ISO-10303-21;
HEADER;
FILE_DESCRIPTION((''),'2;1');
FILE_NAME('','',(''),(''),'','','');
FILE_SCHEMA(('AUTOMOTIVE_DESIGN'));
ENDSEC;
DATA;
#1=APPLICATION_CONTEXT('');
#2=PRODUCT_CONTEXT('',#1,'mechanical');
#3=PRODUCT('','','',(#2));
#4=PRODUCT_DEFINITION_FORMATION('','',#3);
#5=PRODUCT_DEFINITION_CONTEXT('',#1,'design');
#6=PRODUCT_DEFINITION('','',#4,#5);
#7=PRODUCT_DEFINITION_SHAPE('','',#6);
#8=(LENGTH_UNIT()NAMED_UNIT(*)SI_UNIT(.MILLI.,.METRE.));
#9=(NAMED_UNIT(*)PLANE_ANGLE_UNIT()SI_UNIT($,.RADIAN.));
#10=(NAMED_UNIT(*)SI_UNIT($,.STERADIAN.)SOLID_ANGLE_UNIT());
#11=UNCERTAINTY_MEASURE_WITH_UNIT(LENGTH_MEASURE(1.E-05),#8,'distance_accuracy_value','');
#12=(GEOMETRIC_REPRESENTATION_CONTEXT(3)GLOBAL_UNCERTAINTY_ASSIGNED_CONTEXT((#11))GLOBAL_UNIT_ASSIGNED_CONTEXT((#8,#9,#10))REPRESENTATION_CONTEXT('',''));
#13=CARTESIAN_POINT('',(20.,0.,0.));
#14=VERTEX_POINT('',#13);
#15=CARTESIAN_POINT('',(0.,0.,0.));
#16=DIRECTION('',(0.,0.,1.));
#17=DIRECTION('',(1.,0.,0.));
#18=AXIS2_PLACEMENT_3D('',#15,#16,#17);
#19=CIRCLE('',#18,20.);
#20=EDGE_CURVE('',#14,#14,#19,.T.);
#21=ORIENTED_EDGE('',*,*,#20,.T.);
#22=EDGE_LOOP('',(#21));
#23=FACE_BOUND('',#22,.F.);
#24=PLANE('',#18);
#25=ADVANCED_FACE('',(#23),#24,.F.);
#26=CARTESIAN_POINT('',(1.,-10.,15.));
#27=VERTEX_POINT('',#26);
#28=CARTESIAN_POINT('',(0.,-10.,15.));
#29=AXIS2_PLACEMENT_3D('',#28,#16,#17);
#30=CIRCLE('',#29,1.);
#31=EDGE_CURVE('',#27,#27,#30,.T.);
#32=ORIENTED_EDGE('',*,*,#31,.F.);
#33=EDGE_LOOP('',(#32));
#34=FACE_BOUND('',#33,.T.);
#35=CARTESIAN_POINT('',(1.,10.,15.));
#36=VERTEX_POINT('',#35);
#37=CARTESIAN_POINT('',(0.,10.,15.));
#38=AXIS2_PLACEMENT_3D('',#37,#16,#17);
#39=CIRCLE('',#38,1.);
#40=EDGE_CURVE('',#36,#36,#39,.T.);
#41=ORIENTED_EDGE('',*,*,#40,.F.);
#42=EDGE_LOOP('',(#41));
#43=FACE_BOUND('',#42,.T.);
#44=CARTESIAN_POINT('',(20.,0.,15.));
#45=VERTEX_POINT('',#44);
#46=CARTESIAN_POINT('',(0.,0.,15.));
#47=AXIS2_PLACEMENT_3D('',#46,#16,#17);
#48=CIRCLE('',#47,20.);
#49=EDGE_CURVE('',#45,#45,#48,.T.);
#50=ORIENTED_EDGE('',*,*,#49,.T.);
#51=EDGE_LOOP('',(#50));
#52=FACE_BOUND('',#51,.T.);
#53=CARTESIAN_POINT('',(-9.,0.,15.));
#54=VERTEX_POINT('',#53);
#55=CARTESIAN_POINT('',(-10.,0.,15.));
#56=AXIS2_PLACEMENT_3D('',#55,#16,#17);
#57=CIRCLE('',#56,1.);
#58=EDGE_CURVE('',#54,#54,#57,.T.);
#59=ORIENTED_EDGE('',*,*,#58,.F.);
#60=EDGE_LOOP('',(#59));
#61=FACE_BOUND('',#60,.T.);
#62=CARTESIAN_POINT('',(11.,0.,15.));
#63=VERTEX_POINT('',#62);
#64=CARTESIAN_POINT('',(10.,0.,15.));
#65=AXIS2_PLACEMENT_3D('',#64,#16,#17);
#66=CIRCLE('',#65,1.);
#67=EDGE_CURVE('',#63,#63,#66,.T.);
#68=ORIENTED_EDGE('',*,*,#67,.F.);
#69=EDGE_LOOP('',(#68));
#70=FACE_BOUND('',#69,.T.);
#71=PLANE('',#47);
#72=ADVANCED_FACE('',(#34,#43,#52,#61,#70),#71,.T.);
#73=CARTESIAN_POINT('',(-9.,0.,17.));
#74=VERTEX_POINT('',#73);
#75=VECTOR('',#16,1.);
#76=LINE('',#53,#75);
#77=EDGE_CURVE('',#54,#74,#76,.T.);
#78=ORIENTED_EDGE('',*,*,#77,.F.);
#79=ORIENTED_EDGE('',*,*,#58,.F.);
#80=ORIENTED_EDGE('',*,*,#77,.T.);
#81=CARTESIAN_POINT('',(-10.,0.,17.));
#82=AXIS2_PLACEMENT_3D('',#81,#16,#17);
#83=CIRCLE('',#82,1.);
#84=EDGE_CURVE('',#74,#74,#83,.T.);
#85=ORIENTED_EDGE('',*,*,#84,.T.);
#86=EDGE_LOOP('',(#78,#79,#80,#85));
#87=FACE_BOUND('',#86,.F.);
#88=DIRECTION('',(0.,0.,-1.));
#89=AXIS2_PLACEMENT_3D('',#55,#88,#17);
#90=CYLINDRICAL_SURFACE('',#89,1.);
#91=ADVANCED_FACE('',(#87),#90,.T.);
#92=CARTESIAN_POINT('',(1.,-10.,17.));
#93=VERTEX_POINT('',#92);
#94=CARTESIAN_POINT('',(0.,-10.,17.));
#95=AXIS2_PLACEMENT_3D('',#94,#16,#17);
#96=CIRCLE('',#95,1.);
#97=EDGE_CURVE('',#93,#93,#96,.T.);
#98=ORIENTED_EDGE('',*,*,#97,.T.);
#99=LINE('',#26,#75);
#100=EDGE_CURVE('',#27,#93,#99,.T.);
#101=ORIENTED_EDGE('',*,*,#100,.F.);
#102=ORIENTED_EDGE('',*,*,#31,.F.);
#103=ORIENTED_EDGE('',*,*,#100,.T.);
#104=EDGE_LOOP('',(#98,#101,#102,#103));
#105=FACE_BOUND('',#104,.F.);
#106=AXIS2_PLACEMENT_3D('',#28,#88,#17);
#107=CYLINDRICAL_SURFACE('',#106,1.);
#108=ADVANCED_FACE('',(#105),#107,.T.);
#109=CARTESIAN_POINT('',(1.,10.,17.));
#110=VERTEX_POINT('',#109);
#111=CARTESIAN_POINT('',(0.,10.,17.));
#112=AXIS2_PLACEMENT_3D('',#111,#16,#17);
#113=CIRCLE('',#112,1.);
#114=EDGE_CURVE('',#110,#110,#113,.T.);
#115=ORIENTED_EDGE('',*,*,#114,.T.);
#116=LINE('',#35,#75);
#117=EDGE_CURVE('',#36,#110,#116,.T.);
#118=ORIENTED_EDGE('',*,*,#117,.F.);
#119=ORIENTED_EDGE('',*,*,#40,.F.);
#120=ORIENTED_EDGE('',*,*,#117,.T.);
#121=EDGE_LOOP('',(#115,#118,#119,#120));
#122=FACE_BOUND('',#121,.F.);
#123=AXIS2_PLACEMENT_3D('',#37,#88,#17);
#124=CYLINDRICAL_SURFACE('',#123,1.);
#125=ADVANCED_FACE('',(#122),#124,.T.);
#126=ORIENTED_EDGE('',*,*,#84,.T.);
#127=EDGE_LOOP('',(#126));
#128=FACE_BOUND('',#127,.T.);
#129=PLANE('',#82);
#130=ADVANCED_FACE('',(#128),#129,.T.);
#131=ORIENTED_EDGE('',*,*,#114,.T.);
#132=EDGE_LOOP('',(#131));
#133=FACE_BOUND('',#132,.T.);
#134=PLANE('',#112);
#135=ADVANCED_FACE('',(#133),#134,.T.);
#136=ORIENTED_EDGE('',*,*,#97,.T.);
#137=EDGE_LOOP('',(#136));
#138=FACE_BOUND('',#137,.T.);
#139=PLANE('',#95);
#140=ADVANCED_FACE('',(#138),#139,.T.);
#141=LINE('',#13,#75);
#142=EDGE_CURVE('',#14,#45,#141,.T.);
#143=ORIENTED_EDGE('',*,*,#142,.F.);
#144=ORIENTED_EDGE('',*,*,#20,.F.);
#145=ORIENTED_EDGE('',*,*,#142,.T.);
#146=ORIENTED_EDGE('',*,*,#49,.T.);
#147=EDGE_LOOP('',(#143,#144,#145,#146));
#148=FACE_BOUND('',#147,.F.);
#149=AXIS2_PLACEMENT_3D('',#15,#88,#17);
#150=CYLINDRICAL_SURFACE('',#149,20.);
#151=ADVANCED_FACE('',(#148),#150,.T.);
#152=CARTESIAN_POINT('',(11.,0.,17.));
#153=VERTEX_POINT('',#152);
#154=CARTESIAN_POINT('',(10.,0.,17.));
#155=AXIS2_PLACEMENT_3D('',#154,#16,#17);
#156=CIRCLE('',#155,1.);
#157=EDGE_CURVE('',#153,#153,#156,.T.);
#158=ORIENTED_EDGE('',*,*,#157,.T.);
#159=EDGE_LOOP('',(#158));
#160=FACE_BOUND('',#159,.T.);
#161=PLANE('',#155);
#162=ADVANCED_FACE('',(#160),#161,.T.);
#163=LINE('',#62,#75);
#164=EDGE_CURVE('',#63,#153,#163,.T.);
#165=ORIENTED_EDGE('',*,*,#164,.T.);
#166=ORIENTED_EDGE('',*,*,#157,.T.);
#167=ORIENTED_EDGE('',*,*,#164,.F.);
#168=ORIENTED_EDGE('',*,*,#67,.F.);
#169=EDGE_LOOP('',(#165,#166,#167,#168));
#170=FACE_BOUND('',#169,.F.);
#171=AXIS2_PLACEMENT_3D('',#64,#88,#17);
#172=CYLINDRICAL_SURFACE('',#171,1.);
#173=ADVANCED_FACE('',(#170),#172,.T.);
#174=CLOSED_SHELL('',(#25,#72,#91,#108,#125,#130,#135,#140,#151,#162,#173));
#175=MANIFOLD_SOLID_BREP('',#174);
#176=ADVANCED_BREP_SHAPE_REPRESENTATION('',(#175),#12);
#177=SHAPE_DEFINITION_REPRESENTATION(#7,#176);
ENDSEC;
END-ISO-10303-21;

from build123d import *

# Parameters (mm, degrees)
F0_R     = 20
F1_DEPTH = 15
F2_R     = 1
F3_DEPTH = 2


with BuildPart() as f1:
    # F0 (on Top) → F1 (new body)
    with BuildSketch(Plane.XY):
        Circle(F0_R)
    extrude(amount=F1_DEPTH)

    # F2 (on face) → F3 (join)
    with BuildSketch(Plane.XY.offset(15)):
        with Locations((0, 10)):
            Circle(F2_R)
        with Locations((10, 0)):
            Circle(F2_R)
        with Locations((0, -10)):
            Circle(F2_R)
        with Locations((-10, 0)):
            Circle(F2_R)
    extrude(amount=F3_DEPTH)


solid = f1.part
